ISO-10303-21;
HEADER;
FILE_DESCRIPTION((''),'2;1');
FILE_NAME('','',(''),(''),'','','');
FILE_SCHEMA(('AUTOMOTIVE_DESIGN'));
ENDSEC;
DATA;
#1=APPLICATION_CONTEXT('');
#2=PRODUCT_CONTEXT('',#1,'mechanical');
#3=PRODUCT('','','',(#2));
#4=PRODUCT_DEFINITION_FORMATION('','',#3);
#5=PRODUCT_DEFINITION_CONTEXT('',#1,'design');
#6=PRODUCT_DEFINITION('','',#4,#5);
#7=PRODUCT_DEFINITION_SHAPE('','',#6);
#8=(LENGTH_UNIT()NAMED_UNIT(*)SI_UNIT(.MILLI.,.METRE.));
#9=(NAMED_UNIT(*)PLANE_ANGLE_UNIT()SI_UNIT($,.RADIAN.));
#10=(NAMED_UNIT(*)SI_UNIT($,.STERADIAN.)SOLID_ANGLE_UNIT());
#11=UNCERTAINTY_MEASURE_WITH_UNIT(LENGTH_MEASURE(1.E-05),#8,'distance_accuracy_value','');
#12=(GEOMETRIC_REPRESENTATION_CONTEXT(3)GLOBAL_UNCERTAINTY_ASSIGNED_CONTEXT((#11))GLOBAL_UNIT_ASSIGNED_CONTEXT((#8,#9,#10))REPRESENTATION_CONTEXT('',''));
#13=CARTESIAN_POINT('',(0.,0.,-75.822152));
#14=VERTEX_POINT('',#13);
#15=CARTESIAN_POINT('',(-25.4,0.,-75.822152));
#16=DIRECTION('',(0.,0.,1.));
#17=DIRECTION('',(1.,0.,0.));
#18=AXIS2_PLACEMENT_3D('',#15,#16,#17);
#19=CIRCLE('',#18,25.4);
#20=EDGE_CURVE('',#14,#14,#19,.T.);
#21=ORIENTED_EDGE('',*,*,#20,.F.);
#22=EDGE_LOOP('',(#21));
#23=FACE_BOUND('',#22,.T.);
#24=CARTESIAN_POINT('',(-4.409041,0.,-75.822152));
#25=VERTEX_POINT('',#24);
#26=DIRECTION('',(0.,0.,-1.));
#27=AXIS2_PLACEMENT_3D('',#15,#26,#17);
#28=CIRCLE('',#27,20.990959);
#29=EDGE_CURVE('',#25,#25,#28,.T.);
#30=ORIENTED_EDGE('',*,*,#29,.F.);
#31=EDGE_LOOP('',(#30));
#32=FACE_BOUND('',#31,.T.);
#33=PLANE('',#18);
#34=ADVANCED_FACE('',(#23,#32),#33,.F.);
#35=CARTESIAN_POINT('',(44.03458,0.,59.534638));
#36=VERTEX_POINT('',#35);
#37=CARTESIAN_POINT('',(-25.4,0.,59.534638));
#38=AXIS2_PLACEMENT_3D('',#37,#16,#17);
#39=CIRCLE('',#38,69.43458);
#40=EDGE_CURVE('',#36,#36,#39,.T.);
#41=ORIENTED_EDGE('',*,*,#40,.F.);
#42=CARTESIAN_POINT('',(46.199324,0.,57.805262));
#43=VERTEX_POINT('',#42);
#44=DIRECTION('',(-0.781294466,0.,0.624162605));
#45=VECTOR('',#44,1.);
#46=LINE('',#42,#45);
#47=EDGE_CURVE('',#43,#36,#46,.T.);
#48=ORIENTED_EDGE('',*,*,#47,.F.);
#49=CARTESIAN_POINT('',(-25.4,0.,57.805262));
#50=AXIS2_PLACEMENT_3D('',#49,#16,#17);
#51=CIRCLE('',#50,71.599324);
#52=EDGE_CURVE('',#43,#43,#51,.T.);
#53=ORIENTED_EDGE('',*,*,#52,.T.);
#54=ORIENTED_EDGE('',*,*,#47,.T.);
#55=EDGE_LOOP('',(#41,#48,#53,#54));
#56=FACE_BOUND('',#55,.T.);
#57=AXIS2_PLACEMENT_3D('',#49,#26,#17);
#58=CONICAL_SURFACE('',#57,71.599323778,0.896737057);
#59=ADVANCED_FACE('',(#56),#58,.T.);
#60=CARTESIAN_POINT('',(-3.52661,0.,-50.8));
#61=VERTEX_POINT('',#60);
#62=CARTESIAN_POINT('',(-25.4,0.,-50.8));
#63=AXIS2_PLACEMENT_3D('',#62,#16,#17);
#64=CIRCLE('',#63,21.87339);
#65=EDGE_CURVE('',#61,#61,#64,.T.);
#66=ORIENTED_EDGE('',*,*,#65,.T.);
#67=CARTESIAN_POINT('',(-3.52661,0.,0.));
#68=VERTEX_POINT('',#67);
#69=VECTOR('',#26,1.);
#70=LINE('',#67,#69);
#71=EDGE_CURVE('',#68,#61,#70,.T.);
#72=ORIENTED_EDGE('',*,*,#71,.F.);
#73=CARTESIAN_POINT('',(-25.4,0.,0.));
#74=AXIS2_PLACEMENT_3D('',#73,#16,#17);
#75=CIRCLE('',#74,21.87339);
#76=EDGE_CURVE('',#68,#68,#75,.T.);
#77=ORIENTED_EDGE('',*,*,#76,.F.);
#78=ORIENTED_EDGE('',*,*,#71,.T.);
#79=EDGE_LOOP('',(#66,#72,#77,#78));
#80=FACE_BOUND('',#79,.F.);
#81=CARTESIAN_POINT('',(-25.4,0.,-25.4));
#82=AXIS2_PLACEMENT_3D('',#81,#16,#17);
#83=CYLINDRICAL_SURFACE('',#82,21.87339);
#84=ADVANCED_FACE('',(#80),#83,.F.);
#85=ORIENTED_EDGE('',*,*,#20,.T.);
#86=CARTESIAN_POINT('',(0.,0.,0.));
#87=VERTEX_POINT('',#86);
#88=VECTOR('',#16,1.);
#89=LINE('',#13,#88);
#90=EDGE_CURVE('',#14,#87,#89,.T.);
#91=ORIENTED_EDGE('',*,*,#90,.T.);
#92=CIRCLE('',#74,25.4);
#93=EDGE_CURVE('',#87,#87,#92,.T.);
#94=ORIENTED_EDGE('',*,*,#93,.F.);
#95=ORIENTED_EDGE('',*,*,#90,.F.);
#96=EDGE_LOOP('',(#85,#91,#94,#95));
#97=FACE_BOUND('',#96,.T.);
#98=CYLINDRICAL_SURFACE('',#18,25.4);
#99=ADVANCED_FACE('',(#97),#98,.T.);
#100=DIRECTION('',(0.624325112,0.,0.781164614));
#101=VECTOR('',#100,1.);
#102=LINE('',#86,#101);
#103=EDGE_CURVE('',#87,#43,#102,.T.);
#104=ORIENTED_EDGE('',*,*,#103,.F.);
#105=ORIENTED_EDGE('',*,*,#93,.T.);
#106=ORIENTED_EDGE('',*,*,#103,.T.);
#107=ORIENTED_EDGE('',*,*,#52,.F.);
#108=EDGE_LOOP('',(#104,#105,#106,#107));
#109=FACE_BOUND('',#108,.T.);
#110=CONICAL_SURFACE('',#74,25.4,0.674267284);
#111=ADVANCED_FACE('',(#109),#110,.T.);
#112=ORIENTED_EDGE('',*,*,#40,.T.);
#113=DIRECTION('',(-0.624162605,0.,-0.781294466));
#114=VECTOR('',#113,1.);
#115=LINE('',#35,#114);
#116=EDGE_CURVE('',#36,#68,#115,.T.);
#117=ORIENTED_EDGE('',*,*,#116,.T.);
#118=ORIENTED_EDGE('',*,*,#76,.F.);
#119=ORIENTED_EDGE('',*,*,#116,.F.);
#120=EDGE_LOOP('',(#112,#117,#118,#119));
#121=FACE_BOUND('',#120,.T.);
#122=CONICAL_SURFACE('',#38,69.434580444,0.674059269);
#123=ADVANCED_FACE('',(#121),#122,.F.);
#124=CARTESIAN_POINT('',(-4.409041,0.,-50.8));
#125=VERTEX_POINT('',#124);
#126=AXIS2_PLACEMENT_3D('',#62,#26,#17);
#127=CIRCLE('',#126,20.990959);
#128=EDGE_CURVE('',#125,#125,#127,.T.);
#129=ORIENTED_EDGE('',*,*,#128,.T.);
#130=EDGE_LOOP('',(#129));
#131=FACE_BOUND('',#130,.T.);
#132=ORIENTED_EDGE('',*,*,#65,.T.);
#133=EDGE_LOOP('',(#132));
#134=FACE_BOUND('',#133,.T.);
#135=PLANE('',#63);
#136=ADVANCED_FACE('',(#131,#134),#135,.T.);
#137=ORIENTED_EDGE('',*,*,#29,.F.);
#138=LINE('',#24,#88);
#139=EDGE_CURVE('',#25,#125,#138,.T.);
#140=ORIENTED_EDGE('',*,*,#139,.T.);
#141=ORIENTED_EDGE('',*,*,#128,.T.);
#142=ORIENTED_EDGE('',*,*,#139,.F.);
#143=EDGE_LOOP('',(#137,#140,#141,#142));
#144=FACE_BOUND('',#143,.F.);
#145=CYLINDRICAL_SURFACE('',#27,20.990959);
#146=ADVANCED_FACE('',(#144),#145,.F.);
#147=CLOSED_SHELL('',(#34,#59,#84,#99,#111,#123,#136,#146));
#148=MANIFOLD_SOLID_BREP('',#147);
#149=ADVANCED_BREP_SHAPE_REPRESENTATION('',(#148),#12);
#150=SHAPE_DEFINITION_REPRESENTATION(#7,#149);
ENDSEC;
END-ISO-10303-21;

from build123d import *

# Parameters (mm, degrees)
F2_R     = 20.9909587058
F3_DEPTH = 25.4
F4_DEPTH = 25.4
F5_DEPTH = 25.4


with BuildPart() as f1:
    # F0 (on Front) → F1 (revolve)
    with BuildSketch(Plane.XZ):
        Polygon((0, -75.8221521974), (0, 0), (46.1993237782, 57.8052623537), (44.0345804445, 59.5346382788), (-3.5266100895, 0), (-25.4, 0), (-25.4, -75.8221521974), align=None)
    revolve(axis=Axis((-25.4, 0, -37.9110760987), (0, 0, 1)))

    # F2 (on face) → F3 (cut)
    with BuildSketch(Plane(origin=(0, 0, -75.8221521974), x_dir=(1, 0, 0), z_dir=(0, 0, -1))):
        with Locations((-25.4, 0)):
            Circle(F2_R)
    extrude(amount=-F3_DEPTH, mode=Mode.SUBTRACT)

    # F4 (cut): a face of the model
    f4_faces = [f1.faces().sort_by_distance(p)[0] for p in [
        (-25.4, 0, 0),
    ]]
    extrude(f4_faces, amount=-F4_DEPTH, mode=Mode.SUBTRACT)

    # F5 (cut): a face of the model
    f5_faces = [f1.faces().sort_by_distance(p)[0] for p in [
        (-25.4, 0, -25.4),
    ]]
    extrude(f5_faces, amount=-F5_DEPTH, mode=Mode.SUBTRACT)


solid = f1.part
